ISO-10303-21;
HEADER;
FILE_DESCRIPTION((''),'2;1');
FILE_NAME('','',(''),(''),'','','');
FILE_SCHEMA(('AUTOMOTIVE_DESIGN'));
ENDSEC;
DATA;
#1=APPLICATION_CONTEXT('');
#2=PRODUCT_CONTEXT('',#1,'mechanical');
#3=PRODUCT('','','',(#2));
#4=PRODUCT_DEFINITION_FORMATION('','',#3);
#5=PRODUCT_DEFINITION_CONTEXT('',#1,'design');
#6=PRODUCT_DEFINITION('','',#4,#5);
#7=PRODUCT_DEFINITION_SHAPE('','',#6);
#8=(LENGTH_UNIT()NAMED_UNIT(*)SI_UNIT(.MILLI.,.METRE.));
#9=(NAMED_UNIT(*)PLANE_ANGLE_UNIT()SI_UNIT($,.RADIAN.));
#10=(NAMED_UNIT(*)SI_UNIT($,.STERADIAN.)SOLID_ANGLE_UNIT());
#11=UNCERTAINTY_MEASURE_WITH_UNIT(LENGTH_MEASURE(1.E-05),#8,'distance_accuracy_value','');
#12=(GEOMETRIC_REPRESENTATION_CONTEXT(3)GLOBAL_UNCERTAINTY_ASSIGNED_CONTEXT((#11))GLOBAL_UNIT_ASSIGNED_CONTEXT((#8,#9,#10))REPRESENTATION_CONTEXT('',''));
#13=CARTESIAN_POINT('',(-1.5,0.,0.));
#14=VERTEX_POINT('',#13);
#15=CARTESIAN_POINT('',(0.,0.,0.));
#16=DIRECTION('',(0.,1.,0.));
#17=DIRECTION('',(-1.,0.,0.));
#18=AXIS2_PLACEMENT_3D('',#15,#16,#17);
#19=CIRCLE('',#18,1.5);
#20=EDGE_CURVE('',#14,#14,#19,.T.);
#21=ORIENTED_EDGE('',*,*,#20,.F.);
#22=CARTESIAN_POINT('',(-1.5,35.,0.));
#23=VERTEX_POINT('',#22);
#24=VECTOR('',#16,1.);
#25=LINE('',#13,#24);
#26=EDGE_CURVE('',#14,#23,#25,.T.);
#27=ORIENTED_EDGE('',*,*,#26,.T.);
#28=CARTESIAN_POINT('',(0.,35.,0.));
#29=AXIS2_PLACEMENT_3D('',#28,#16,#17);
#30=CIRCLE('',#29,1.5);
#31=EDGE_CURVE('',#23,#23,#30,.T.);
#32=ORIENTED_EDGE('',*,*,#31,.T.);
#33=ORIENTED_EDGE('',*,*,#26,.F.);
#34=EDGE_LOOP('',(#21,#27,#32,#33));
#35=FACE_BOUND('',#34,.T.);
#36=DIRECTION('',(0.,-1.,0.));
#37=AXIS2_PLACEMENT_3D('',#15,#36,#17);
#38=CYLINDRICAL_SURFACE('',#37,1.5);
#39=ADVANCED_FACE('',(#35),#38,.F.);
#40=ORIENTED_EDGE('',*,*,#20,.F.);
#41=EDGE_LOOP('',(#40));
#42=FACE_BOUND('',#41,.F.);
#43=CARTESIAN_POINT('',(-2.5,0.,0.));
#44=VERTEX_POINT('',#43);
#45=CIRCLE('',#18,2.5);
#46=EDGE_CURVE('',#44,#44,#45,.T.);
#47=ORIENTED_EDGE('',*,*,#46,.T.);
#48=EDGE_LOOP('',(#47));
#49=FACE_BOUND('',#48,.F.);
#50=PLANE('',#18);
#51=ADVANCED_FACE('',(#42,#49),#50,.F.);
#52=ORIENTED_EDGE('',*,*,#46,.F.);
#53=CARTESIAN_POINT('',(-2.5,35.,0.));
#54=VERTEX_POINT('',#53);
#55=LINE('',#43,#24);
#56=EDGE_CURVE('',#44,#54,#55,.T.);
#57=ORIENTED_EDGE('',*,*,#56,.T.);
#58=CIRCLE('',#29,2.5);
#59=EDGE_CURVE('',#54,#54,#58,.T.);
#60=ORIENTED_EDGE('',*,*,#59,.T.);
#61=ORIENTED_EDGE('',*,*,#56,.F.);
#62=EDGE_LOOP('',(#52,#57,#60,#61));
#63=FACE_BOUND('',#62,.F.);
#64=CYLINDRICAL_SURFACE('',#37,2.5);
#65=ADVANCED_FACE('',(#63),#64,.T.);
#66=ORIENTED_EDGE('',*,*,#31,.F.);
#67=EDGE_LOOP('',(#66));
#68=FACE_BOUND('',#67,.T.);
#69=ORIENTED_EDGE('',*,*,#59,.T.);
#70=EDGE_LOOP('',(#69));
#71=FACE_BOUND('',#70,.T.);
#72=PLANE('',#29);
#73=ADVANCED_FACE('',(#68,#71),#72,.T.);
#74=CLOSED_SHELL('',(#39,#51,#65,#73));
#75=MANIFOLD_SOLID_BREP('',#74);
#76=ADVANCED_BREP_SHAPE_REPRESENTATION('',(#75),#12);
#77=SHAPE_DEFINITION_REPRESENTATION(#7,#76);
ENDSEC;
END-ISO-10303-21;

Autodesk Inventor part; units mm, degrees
ref_plane "YZ Plane" through (0, 0, 0) normal (1, 0, 0) x (0, 1, 0)
ref_plane "XZ Plane" through (0, 0, 0) normal (0, 1, 0) x (-1, 0, 0)
ref_plane "XY Plane" through (0, 0, 0) normal (0, 0, 1) x (1, 0, 0)
sketch "Sketch1" plane through (0, 0, 0) normal (0, 1, 0) x (-1, 0, 0)
  circle A0 centre (0, 0) radius 1.5
  circle A1 centre (0, 0) radius 2.5
  dimension "d0" = 3
  dimension "d1" = 5
extrude "Extrusion1" add sketch "Sketch1" along normal blind 35
properties part number "35mm standoff" material "Aluminum 6061"
